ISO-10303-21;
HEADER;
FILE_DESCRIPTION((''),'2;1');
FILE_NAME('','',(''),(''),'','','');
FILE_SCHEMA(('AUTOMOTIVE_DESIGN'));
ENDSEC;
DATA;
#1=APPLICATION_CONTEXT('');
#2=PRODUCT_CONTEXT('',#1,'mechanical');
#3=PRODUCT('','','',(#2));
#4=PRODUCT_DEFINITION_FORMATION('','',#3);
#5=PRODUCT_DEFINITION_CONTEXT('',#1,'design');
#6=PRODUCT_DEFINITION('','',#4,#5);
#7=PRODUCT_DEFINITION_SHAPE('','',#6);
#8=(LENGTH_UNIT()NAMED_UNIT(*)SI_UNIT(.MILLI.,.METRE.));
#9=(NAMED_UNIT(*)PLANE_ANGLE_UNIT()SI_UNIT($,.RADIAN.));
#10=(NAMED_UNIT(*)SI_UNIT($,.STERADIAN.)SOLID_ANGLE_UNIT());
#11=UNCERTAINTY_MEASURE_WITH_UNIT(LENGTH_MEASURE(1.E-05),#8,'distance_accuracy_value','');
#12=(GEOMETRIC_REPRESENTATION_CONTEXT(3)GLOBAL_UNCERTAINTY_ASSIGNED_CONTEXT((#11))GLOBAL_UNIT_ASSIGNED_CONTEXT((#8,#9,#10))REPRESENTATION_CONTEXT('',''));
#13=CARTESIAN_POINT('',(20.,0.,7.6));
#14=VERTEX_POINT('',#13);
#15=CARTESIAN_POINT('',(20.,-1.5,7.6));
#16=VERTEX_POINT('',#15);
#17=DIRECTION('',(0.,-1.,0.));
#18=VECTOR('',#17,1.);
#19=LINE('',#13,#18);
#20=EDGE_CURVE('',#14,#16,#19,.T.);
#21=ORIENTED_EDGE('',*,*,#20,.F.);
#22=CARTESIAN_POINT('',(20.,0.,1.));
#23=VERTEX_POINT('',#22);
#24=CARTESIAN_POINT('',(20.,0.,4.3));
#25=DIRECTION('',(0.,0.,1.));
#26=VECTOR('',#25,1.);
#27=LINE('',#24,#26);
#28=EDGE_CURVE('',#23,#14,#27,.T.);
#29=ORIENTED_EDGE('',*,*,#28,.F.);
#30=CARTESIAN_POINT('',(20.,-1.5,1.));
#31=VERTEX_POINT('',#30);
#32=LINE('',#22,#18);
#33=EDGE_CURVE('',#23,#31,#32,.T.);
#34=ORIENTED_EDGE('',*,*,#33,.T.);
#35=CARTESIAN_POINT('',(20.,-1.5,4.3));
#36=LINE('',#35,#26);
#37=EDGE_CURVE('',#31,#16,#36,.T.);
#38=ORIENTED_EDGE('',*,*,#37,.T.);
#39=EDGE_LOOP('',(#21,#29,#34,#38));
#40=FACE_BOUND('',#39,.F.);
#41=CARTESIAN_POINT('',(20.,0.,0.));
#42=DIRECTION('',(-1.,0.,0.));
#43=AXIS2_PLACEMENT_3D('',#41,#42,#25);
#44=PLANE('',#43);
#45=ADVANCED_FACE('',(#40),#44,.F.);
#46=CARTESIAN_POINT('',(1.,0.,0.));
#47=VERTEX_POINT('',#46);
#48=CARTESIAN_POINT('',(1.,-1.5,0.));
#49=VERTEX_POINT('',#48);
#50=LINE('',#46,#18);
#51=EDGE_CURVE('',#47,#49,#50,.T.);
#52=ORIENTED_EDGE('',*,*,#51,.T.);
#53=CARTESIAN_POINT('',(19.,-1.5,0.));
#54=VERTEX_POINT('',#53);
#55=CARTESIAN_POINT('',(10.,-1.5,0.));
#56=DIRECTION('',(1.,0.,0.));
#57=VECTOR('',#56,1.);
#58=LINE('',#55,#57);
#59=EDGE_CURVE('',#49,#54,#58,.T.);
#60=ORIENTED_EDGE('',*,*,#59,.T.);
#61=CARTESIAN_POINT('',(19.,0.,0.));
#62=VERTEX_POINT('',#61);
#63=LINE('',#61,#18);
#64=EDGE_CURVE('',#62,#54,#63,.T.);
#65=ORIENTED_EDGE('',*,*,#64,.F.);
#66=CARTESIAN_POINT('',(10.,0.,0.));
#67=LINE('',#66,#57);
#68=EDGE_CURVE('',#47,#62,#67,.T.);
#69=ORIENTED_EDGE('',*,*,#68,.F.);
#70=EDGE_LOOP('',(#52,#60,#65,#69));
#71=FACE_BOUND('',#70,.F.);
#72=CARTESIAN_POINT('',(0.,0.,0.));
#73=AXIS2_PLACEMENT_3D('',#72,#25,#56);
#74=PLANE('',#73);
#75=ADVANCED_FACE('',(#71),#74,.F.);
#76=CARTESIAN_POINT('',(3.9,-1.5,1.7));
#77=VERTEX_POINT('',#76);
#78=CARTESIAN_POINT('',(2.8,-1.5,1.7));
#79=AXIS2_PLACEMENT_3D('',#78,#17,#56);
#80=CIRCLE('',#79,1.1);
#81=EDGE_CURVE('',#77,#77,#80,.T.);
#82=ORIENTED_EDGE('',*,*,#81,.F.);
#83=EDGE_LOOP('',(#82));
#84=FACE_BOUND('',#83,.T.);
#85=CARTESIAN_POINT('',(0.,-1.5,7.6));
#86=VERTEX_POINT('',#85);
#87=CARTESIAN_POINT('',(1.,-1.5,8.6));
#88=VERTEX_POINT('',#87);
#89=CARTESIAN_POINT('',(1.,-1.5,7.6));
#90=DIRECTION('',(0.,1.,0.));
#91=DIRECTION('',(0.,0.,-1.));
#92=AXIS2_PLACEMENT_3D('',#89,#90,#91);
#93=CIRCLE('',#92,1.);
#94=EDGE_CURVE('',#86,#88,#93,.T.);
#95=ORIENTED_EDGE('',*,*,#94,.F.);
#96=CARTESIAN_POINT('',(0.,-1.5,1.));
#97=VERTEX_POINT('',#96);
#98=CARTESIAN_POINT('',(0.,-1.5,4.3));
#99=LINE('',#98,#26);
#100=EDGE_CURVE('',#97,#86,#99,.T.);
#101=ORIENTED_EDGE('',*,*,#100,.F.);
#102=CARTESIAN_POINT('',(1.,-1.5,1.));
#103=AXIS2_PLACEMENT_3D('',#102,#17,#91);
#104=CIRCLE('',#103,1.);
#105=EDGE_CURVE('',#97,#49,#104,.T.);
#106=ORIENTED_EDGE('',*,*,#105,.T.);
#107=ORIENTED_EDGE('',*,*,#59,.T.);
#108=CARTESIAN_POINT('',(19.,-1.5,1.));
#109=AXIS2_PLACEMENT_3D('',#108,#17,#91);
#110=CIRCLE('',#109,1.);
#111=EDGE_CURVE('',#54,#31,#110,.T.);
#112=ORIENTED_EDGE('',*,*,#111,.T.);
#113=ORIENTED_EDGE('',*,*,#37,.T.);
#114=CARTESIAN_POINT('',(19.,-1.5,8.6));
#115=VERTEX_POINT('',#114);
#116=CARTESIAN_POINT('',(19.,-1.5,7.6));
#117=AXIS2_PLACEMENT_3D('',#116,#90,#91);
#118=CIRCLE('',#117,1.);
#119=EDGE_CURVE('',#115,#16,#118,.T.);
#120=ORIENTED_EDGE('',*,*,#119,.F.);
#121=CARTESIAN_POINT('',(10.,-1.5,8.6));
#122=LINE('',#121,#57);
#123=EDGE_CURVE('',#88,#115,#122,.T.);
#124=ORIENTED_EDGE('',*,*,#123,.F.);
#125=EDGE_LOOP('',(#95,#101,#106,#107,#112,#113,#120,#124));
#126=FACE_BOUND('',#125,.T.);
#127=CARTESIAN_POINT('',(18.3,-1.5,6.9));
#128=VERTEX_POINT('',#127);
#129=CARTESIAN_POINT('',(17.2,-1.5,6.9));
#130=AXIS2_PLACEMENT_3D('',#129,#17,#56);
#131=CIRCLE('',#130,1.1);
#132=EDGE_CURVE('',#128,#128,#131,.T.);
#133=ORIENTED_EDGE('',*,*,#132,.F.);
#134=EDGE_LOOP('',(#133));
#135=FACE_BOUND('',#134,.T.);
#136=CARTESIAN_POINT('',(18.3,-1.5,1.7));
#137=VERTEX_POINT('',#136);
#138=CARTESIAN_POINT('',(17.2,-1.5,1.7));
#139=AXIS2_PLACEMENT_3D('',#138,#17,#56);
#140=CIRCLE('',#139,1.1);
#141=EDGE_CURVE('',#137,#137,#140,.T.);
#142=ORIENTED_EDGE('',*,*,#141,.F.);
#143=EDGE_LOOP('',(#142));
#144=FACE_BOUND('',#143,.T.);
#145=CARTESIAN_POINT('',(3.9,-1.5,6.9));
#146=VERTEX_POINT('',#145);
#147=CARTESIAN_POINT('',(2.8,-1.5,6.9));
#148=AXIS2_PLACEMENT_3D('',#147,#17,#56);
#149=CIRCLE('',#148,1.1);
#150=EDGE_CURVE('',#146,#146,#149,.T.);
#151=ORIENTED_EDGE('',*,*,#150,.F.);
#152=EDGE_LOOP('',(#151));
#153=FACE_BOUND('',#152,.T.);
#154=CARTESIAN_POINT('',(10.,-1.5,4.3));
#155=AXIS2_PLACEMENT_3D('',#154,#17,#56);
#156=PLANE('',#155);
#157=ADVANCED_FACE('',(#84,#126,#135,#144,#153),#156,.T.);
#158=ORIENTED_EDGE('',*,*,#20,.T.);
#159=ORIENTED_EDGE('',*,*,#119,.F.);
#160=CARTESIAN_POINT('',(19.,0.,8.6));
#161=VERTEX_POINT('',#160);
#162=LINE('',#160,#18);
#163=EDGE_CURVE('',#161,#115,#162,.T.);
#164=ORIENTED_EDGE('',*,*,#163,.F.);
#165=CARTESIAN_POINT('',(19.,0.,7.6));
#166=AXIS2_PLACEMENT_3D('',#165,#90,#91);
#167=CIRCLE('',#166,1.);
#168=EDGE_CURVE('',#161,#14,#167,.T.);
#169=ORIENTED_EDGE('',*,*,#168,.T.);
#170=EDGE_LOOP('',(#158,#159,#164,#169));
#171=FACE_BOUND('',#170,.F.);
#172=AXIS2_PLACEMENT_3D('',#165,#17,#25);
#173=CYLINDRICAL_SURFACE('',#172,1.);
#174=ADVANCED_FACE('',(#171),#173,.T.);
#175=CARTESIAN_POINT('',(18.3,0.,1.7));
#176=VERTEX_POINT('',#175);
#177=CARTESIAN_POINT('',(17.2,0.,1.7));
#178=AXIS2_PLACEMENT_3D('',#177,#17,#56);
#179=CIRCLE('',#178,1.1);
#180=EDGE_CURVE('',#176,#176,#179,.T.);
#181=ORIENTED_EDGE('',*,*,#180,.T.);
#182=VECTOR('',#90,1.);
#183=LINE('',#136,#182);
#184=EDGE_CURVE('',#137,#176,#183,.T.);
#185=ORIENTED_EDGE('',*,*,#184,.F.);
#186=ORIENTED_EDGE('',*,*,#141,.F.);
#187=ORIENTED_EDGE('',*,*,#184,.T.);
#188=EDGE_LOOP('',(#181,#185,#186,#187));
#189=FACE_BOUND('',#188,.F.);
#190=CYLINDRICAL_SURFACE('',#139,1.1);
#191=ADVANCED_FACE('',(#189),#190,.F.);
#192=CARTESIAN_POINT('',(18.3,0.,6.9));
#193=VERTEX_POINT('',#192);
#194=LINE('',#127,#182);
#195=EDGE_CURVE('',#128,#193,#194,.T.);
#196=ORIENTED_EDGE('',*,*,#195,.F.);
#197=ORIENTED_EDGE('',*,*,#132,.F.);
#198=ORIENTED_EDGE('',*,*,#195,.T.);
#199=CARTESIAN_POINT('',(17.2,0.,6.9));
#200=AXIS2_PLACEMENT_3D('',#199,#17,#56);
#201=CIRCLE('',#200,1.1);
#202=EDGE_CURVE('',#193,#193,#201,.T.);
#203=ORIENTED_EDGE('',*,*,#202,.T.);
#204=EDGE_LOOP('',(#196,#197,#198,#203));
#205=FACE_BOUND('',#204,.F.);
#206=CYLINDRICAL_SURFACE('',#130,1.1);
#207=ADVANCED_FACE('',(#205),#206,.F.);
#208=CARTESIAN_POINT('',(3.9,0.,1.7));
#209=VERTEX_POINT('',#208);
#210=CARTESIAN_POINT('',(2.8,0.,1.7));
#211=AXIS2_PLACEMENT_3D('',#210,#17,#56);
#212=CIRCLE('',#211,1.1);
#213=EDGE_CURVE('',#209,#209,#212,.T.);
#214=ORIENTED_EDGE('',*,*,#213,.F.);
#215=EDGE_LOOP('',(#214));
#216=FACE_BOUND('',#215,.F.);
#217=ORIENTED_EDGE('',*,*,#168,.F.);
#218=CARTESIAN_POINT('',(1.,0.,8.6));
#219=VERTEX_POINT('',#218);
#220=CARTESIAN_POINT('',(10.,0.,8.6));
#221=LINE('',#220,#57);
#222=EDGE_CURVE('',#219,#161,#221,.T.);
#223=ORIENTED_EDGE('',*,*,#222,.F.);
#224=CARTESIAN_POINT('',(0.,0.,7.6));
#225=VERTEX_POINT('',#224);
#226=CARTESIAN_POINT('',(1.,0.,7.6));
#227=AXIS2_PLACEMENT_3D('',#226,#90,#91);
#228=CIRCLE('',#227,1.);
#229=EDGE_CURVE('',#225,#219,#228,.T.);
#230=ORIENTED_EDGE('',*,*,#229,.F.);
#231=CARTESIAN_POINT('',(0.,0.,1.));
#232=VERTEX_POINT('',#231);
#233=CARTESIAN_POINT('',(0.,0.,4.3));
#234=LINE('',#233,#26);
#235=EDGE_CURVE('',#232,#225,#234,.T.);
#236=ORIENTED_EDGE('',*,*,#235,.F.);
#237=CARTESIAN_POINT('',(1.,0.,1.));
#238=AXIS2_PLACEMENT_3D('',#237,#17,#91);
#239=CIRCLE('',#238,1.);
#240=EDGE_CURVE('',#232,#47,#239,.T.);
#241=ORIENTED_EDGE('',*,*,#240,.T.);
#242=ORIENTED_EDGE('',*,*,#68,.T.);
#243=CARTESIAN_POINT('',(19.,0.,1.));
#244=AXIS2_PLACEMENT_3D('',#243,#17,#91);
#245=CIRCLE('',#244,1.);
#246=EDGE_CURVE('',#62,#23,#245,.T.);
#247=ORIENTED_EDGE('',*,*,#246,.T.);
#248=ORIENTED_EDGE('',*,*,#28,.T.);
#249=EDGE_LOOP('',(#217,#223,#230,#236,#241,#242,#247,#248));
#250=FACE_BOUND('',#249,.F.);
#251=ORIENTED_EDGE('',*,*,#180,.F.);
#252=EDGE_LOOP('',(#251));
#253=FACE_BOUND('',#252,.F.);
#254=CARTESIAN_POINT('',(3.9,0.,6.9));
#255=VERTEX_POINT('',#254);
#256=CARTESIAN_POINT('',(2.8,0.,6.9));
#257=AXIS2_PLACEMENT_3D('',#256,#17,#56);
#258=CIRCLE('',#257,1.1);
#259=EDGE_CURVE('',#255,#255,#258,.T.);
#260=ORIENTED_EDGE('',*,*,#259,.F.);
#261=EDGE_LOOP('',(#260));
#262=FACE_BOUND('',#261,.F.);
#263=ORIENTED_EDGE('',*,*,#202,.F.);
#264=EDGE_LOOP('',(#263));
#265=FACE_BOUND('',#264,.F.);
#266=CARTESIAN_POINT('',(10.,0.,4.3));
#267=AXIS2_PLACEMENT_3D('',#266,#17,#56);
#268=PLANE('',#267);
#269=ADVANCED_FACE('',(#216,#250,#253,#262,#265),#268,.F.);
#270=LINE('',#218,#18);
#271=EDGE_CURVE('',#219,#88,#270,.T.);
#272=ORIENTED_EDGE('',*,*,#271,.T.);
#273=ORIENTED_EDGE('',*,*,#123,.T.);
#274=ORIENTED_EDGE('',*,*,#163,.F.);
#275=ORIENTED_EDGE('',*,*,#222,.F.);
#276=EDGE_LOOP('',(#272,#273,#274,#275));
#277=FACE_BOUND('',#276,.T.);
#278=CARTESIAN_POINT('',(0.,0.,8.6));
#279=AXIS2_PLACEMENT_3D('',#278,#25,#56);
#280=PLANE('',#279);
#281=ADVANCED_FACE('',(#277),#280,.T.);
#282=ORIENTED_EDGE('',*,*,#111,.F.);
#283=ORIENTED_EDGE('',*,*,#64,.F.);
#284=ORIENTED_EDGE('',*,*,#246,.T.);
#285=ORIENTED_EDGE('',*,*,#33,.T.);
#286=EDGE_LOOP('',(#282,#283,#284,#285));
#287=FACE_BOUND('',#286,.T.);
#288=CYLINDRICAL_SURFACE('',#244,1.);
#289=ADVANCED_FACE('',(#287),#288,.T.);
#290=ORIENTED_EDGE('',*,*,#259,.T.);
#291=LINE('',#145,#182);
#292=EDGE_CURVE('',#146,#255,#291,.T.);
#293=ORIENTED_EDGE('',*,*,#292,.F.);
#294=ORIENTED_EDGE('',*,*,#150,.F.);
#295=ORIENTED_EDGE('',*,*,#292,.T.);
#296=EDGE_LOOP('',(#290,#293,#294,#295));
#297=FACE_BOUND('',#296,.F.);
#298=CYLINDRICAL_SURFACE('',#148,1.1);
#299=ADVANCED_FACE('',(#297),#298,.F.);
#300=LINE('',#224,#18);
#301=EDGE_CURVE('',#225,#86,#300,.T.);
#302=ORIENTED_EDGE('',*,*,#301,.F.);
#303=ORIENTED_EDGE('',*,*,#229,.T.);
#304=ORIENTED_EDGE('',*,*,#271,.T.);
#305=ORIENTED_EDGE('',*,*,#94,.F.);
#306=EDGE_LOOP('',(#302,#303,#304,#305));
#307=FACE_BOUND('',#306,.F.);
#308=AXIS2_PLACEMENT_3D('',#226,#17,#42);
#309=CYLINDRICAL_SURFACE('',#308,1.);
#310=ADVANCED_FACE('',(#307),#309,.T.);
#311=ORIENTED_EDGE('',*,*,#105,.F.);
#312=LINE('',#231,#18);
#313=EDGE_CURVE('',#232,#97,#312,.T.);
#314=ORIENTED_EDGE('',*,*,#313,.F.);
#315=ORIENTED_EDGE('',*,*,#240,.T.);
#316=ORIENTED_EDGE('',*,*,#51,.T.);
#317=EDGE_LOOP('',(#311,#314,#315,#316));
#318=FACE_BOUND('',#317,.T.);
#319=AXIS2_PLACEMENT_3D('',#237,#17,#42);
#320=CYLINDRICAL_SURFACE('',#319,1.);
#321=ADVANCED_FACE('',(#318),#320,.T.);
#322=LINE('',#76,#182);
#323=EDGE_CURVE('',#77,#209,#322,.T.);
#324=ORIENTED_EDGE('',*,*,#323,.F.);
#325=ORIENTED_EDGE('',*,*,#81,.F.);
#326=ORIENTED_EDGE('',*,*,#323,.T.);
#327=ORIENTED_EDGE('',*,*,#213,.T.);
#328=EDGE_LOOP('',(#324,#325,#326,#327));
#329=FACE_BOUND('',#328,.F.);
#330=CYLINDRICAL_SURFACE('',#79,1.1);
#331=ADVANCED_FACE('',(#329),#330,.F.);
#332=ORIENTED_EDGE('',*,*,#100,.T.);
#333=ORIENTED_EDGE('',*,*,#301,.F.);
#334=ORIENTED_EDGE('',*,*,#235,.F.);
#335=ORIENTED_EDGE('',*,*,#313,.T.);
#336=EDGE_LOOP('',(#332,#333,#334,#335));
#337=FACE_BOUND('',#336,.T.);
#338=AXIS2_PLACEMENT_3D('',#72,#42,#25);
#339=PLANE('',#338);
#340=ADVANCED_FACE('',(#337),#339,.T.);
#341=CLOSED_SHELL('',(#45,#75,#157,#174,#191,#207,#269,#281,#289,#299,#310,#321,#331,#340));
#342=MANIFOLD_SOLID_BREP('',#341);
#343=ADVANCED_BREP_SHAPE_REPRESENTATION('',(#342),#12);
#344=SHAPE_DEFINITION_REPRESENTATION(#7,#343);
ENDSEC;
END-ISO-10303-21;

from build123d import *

# Parameters (mm, degrees)
F0_W     = 20
F0_H     = 8.6
F1_DEPTH = 1.5
F2_R     = 1.1
F3_DEPTH = 1.5
F4_R     = 1


with BuildPart() as f1:
    # F0 (on Front) → F1 (new body)
    with BuildSketch(Plane.XZ):
        with Locations((10, 4.3)):
            Rectangle(F0_W, F0_H)
    extrude(amount=F1_DEPTH)

    # F2 (on face) → F3 (cut, through all)
    with BuildSketch(Plane.XZ.offset(1.5)):
        with Locations((2.8, 6.9)):
            Circle(F2_R)
        with Locations((17.2, 6.9)):
            Circle(F2_R)
        with Locations((2.8, 1.7)):
            Circle(F2_R)
        with Locations((17.2, 1.7)):
            Circle(F2_R)
    extrude(amount=-F3_DEPTH, mode=Mode.SUBTRACT)

    # F4
    f4_edges = [f1.edges().sort_by_distance(p)[0] for p in [
        (20, -0.75, 8.6),
        (20, -0.75, 0),
        (0, -0.75, 8.6),
        (0, -0.75, 0),
    ]]
    fillet(f4_edges, radius=F4_R)


solid = f1.part
